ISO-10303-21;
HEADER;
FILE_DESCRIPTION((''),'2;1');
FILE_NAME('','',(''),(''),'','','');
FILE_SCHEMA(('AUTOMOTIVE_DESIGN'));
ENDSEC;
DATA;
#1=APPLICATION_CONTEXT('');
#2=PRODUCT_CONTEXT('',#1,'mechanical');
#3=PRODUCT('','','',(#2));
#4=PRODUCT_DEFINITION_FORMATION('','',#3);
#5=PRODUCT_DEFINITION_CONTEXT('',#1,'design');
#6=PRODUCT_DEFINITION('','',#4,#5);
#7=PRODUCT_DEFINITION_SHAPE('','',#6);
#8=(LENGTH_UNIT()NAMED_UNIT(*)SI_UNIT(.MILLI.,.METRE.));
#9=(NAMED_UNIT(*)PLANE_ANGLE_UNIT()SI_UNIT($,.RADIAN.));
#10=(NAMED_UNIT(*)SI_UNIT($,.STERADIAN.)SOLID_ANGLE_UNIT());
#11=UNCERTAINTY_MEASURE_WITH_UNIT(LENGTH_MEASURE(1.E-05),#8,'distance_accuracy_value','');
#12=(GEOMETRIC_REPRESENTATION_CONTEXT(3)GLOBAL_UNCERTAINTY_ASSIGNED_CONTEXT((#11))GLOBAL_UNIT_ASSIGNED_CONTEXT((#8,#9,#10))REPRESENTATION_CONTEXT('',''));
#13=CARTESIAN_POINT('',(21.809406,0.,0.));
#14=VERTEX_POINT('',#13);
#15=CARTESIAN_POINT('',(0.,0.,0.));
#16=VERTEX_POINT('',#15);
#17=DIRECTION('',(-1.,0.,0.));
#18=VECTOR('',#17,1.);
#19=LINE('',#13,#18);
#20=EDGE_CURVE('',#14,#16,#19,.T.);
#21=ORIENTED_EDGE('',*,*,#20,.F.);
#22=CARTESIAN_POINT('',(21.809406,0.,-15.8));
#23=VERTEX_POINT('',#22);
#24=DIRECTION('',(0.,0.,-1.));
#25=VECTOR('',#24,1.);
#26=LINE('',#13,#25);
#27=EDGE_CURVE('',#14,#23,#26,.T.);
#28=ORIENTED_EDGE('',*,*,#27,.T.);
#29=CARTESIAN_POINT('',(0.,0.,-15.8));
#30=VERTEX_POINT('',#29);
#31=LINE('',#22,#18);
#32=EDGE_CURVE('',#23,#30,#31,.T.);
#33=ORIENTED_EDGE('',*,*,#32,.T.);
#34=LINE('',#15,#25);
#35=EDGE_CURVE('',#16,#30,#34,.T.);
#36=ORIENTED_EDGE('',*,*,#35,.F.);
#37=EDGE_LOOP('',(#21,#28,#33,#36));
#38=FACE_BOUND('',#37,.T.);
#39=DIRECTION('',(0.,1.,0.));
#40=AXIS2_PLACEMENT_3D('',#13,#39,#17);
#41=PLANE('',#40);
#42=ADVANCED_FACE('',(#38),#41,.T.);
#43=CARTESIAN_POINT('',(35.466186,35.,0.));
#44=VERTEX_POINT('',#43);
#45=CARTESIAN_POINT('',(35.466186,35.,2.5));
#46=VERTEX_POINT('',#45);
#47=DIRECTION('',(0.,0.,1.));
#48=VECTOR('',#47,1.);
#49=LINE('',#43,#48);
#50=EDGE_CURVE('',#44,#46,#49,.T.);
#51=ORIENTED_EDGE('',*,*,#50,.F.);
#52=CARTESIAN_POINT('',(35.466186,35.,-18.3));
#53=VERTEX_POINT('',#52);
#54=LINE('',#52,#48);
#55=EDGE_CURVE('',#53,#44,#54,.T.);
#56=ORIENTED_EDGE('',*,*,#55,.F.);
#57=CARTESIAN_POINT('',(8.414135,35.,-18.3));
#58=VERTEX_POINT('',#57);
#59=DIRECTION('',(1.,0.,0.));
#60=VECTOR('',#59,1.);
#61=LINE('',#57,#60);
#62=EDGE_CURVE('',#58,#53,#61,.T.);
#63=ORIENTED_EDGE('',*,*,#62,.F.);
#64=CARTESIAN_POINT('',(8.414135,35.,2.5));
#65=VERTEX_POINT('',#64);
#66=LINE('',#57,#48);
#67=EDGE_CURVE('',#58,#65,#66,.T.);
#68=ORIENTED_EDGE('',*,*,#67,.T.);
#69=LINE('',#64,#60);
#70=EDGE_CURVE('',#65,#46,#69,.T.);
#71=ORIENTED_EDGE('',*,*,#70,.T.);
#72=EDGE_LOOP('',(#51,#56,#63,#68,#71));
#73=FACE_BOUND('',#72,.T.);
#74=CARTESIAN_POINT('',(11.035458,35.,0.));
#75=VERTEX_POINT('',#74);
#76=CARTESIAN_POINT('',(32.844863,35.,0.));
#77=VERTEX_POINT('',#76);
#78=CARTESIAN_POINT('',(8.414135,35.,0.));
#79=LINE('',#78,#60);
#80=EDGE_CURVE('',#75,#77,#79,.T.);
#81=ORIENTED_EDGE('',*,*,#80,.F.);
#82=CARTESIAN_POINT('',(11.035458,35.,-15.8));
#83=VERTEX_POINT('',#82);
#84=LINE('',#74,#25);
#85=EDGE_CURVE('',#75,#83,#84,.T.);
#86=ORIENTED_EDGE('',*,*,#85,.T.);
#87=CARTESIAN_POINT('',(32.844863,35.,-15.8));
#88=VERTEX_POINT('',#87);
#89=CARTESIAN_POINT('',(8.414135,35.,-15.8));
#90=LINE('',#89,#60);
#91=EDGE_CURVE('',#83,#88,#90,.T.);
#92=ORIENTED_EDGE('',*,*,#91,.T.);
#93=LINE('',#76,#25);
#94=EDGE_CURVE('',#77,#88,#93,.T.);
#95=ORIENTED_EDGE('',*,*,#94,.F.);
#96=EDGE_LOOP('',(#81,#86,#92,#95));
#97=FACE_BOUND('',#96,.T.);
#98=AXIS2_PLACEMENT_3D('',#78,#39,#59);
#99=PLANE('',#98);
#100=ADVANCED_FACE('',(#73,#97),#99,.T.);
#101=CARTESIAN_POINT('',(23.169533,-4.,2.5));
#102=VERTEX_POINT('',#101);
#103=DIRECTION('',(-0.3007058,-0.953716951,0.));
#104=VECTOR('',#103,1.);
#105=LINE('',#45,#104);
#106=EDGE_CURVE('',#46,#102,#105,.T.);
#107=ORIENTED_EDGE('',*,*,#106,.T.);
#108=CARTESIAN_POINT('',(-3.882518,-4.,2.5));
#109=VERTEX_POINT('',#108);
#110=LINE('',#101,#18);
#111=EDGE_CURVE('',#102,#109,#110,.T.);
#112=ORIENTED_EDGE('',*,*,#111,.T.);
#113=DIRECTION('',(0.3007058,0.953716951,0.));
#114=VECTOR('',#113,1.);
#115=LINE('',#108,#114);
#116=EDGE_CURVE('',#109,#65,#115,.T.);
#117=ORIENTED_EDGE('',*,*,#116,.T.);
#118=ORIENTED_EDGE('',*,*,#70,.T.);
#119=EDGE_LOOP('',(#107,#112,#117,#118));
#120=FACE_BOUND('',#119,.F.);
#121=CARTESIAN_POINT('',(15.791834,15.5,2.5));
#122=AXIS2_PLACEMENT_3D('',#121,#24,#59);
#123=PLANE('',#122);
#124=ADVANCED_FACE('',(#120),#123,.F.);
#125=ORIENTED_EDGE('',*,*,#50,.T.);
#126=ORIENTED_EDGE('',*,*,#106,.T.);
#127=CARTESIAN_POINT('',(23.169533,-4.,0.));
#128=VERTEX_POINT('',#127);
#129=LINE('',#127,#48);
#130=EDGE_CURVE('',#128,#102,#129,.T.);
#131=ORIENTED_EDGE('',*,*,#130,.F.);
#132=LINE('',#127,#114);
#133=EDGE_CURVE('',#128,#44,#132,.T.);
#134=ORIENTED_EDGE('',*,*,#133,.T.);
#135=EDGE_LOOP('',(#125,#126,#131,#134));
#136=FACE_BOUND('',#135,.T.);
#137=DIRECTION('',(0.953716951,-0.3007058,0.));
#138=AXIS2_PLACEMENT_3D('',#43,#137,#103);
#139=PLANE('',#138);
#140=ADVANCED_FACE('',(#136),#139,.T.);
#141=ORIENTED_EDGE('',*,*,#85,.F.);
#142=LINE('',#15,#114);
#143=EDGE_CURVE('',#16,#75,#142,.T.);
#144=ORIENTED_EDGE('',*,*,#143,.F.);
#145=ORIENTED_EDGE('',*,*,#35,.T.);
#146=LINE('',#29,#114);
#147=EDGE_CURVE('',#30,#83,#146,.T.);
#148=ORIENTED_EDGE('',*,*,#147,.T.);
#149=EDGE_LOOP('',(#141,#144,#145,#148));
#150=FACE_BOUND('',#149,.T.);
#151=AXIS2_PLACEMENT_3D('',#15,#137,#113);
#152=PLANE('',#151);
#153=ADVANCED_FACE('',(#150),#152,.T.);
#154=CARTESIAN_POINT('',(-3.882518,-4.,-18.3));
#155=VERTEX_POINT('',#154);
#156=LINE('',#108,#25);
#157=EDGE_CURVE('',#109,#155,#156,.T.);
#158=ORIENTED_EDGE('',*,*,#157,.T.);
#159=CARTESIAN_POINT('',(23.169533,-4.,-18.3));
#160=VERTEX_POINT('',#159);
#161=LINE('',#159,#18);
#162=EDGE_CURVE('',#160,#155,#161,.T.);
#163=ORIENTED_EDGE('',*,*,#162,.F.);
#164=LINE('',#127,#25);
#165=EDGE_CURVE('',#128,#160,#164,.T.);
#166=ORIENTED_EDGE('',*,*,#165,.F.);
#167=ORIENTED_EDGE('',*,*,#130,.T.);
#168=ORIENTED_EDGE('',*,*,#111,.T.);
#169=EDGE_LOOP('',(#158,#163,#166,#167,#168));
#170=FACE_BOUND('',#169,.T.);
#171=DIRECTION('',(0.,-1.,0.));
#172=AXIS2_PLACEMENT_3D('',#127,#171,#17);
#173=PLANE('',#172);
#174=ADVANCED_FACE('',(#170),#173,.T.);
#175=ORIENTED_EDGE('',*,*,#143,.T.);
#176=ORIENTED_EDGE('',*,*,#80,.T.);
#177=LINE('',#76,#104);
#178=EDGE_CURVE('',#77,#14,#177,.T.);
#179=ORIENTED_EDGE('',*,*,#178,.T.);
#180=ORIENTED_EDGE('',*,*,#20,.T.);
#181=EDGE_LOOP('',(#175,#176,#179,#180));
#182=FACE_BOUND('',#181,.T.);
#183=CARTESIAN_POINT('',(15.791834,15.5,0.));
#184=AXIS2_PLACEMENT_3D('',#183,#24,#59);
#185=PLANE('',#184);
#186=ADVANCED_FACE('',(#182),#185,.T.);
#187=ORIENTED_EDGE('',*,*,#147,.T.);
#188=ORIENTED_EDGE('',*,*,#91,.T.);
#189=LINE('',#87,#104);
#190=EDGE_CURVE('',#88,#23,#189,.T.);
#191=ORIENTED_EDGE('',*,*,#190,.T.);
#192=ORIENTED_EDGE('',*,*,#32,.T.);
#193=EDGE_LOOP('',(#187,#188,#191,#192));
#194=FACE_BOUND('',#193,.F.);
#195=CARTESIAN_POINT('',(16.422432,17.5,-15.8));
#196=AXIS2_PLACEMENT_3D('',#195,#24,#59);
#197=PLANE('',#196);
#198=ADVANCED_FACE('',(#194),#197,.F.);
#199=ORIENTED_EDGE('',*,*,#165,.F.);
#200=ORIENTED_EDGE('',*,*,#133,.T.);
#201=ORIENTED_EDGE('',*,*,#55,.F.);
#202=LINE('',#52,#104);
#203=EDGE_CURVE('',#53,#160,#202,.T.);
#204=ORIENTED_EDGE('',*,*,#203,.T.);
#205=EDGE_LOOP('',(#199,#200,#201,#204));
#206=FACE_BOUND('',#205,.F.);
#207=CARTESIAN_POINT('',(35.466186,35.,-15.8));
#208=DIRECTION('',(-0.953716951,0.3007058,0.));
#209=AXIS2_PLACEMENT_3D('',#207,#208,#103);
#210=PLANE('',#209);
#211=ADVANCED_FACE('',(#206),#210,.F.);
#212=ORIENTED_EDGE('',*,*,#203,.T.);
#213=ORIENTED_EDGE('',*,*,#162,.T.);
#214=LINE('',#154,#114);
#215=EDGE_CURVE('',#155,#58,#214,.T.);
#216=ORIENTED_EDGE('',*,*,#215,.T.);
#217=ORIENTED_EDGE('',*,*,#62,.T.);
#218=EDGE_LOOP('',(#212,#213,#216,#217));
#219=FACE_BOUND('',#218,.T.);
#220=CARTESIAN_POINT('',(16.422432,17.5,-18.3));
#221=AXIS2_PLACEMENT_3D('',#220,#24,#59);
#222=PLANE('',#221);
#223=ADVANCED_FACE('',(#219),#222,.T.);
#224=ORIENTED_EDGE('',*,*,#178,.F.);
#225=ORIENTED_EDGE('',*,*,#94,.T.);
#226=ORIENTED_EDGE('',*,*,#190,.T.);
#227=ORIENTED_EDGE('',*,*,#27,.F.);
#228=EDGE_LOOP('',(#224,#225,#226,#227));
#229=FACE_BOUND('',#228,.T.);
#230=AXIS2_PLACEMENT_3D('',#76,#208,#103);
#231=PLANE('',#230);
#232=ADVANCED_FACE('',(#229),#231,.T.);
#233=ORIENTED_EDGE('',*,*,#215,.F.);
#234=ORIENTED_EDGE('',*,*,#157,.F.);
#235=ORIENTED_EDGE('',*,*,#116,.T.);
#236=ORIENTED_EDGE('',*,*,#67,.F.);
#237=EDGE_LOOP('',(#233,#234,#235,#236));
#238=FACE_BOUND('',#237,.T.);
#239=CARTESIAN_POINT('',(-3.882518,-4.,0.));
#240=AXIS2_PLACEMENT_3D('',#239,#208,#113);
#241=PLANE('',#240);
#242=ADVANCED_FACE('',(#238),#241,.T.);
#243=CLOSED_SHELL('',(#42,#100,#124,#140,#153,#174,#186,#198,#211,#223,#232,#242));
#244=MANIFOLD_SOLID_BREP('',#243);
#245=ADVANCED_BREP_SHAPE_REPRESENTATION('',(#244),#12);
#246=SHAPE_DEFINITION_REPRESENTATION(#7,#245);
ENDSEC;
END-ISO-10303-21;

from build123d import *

# Parameters (mm, degrees)
F1_DEPTH = 15.8
F3_DEPTH = 2.5
F4_START = -18.3
F4_DEPTH = 2.5


with BuildPart() as f1:
    # F0 (on Top) → F1 (new body)
    with BuildSketch(Plane.XY):
        Polygon((21.8094058029, 0), (0, 0), (11.0354576108, 35), (8.4141347979, 35), (-3.8825179684, -4), (23.1695334603, -4), (35.4661862265, 35), (32.8448634137, 35), align=None)
    extrude(amount=-F1_DEPTH)

    # F2 (on face) → F3 (join)
    with BuildSketch(Plane(origin=(0, 0, -15.8), x_dir=(1, 0, 0), z_dir=(0, 0, -1))):
        Polygon((11.0354576108, -35), (32.8448634137, -35), (21.8094058029, 0), (0, 0), align=None)
        Polygon((32.8448634137, -35), (35.4661862265, -35), (23.1695334603, 4), (-3.8825179684, 4), (8.4141347979, -35), (11.0354576108, -35), (0, 0), (21.8094058029, 0), align=None)
    extrude(amount=F3_DEPTH)

    # F3_face (on face) → F4 (join)
    with BuildSketch(Plane(origin=(15.7918341291, 15.5, -18.3), x_dir=(1, 0, 0), z_dir=(0, 0, -1)).offset(F4_START)):
        Polygon((19.6743520975, -19.5), (7.3776993312, 19.5), (-19.6743520975, 19.5), (-7.3776993312, -19.5), align=None)
    extrude(amount=-F4_DEPTH)


solid = f1.part
